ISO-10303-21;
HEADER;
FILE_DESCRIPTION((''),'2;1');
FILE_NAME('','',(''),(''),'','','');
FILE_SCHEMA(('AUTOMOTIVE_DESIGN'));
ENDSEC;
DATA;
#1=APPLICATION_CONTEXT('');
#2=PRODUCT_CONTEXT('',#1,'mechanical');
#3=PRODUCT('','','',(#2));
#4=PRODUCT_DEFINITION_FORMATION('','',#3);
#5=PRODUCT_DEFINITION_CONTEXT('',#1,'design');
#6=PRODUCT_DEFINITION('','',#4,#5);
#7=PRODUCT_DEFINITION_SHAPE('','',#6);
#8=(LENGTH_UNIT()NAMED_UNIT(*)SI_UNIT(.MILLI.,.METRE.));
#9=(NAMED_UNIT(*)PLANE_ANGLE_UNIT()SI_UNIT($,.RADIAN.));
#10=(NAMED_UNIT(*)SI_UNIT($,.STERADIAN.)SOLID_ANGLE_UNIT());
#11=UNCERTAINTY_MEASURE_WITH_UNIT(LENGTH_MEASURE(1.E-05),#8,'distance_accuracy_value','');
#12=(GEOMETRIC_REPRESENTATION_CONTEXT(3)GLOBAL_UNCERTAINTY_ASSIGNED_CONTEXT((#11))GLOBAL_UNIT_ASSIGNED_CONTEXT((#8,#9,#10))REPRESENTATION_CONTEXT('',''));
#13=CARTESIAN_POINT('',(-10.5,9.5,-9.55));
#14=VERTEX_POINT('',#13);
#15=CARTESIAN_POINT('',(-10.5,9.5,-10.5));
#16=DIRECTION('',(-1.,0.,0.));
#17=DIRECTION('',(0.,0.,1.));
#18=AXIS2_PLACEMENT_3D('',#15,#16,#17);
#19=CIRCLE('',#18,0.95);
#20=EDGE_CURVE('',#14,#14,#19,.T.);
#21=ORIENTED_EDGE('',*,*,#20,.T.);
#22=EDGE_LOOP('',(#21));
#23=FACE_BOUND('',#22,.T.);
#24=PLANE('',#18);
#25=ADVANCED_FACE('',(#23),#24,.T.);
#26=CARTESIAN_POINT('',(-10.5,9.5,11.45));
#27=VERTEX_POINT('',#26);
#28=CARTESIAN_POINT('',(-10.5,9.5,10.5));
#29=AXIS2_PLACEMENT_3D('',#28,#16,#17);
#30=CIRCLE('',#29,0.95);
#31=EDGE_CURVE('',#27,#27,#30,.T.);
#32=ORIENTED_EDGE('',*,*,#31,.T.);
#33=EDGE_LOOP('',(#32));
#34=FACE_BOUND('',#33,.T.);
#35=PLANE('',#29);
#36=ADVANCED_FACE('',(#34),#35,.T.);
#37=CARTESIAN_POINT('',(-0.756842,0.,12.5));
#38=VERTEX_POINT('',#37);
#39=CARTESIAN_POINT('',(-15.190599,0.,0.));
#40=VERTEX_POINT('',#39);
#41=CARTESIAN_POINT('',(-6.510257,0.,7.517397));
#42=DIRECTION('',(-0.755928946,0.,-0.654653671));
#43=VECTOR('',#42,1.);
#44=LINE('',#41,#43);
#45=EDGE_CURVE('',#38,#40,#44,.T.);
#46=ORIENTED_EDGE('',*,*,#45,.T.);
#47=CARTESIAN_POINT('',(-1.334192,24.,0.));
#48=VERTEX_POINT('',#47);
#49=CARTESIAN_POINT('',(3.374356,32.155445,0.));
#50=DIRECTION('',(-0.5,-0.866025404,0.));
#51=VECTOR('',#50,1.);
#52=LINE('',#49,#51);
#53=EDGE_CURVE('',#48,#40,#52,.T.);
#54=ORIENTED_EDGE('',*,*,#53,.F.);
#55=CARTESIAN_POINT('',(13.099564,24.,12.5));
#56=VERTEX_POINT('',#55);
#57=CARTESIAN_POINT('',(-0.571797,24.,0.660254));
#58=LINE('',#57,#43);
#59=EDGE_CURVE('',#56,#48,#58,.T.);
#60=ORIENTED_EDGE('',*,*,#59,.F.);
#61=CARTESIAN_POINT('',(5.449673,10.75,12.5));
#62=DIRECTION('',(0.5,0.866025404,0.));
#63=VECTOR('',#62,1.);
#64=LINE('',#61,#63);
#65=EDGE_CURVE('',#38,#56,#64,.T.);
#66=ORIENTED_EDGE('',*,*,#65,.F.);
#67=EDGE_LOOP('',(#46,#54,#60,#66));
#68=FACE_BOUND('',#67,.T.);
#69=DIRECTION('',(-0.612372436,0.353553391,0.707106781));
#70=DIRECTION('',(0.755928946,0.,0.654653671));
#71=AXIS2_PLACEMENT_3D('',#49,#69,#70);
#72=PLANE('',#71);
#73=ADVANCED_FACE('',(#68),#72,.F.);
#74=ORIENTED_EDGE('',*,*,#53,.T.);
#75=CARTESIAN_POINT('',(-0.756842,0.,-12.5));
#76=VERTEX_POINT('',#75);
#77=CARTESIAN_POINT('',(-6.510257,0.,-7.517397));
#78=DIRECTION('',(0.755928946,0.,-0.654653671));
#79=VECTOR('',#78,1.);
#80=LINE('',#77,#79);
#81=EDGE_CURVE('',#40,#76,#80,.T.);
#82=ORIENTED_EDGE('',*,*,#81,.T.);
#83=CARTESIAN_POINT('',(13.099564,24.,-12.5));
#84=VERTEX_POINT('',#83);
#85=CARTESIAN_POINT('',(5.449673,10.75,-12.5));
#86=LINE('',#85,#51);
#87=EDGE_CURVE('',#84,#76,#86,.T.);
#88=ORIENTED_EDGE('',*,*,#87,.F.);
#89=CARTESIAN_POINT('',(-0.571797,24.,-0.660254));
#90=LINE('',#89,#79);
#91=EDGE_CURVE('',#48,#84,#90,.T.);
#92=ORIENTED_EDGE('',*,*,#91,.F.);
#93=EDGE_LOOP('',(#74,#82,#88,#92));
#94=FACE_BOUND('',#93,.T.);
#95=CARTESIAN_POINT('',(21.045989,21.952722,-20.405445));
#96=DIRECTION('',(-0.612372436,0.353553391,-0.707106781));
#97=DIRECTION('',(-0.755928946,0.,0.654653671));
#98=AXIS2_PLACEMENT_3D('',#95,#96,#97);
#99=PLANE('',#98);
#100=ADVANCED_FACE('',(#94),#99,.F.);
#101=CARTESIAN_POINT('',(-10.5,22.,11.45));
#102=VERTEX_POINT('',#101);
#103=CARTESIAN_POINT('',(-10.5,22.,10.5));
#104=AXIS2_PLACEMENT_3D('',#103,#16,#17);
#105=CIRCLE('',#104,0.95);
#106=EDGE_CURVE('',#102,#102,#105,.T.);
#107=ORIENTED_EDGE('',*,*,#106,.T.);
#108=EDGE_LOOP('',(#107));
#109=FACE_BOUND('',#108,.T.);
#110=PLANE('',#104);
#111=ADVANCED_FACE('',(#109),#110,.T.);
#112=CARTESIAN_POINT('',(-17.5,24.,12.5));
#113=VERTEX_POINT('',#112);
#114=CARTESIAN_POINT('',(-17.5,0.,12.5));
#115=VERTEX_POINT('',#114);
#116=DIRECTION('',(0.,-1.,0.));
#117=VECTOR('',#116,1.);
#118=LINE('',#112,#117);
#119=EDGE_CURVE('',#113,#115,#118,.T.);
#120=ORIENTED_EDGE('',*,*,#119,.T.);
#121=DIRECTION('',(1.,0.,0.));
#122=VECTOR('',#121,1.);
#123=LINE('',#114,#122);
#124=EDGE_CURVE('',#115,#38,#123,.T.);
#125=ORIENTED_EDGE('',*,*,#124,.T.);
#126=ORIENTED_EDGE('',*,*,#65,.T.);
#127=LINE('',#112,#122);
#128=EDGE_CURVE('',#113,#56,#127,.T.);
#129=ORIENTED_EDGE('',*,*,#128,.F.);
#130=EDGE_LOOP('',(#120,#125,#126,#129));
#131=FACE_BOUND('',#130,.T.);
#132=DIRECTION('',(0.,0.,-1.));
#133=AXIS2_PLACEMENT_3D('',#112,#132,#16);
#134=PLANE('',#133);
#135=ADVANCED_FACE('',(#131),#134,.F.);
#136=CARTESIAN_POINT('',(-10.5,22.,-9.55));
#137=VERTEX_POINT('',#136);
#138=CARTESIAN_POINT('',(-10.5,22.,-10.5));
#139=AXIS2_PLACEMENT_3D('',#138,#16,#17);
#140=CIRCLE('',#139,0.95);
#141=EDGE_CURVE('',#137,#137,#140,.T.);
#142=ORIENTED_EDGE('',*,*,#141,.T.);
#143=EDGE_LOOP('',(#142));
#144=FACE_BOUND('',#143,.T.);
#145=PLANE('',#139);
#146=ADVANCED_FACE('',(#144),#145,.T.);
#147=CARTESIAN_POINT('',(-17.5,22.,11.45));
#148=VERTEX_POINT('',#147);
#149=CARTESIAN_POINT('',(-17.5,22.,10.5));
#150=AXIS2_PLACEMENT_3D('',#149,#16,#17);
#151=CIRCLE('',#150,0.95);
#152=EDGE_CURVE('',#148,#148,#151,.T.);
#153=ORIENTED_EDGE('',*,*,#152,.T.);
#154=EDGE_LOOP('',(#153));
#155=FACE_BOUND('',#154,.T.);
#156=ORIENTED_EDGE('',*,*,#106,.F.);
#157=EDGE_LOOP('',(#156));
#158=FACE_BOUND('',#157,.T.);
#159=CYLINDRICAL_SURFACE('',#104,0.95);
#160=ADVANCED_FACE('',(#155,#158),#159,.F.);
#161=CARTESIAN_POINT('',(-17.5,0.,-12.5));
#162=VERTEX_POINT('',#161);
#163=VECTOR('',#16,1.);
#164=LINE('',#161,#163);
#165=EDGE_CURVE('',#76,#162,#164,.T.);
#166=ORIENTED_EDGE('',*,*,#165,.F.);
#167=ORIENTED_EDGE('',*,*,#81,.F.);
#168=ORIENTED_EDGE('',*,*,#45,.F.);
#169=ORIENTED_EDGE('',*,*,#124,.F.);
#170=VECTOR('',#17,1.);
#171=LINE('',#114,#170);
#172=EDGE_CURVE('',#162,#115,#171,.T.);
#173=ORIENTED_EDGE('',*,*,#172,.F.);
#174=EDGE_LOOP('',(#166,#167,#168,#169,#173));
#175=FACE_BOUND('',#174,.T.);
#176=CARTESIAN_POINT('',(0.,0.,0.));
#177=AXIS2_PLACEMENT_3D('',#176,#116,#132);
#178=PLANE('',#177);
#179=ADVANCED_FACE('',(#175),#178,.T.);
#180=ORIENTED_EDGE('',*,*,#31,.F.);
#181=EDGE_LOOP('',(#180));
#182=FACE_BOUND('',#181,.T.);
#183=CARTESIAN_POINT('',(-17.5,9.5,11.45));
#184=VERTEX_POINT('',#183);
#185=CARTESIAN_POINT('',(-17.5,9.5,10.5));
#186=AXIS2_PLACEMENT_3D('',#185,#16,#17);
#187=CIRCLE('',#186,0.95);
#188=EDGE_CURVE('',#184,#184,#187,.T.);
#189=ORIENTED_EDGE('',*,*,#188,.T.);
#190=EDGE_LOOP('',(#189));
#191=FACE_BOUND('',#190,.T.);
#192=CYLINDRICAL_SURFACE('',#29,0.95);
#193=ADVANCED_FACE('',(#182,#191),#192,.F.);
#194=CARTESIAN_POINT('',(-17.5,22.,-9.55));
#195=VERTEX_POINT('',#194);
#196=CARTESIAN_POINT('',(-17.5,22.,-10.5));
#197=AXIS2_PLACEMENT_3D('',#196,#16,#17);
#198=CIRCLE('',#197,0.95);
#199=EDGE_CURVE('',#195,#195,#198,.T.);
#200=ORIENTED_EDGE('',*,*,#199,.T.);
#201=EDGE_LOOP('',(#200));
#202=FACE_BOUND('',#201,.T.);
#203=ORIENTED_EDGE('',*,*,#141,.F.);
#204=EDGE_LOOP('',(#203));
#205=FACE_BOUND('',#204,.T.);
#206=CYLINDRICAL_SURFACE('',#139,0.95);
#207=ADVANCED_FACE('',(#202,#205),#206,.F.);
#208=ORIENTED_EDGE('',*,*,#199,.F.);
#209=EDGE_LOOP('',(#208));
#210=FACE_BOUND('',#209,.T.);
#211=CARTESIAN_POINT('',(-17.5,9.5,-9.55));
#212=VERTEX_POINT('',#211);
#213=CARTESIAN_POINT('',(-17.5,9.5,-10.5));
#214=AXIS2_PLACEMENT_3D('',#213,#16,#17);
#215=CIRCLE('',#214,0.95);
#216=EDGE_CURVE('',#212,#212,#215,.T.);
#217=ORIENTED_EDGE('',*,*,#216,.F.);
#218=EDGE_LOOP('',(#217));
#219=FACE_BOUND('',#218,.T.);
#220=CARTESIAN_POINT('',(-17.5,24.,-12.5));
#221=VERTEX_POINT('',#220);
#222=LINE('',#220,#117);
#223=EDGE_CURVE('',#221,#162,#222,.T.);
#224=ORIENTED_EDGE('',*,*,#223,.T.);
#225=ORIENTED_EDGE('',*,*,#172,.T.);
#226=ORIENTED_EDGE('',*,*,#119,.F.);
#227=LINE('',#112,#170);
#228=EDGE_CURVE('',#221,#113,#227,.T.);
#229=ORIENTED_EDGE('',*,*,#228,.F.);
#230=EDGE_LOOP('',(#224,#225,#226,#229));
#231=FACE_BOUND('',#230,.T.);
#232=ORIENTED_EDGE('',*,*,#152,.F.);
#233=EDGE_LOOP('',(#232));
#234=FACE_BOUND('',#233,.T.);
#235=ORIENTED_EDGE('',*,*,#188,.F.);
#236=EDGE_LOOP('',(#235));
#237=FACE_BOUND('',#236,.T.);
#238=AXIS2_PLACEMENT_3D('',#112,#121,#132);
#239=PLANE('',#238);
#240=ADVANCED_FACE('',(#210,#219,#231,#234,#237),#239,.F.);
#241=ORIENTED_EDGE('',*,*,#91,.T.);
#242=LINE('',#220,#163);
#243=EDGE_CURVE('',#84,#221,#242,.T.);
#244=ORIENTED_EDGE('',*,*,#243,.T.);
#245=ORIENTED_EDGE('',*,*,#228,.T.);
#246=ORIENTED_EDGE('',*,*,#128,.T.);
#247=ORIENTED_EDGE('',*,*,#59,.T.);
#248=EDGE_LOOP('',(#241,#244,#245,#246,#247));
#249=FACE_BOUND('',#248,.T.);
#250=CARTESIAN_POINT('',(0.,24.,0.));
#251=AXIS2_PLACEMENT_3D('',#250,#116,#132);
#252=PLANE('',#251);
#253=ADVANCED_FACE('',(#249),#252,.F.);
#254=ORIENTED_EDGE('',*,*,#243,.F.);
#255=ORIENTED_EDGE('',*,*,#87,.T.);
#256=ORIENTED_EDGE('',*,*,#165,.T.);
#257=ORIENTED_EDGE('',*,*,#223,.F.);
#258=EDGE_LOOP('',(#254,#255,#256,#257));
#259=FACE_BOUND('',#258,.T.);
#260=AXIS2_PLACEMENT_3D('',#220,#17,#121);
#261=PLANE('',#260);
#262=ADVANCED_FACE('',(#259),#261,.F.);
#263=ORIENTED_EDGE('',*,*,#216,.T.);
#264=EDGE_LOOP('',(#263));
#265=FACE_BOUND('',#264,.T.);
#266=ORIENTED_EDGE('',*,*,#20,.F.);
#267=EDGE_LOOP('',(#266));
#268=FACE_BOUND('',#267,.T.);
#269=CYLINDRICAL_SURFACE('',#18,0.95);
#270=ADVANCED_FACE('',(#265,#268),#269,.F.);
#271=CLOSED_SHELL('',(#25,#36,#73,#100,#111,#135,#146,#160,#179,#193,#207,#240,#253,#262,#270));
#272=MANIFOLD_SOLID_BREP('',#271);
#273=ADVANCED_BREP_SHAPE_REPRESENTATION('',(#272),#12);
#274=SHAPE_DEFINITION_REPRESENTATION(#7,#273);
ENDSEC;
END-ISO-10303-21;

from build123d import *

# Parameters (mm, degrees)
SKETCH1_W           = 35
SKETCH1_H           = 25
BOSS_EXTRUDE1_DEPTH = 24
CUT_EXTRUDE1_DEPTH  = 41.397006939
SKETCH5_R           = 0.95
CUT_EXTRUDE2_DEPTH  = 7


with BuildPart() as part:
    # Sketch1 → Boss-Extrude1 (new body)
    with BuildSketch(Plane(origin=(0, 0, 0), x_dir=(1, 0, 0), z_dir=(0, 1, 0))):
        Rectangle(SKETCH1_W, SKETCH1_H)
    extrude(amount=BOSS_EXTRUDE1_DEPTH)

    # Sketch4 → Cut-Extrude1 (cut, through all)
    with BuildSketch(Plane(origin=(-4.375, -7.577722283, 0), x_dir=(-0.8660254037844417, 0.49999999999999495, 0), z_dir=(-0.49999999999999495, -0.8660254037844417, 0))):
        Polygon((-7.25, 20.405444566), (13.155444566, 0), (-7.25, -20.405444566), (-27.655444566, 0), align=None)
    extrude(amount=-CUT_EXTRUDE1_DEPTH, mode=Mode.SUBTRACT)

    # Sketch5 → Cut-Extrude2 (cut)
    with BuildSketch(Plane.ZY.offset(17.5)):
        with Locations((-10.5, 22)):
            Circle(SKETCH5_R)
        with Locations((10.5, 22)):
            Circle(SKETCH5_R)
        with Locations((10.5, 9.5)):
            Circle(SKETCH5_R)
        with Locations((-10.5, 9.5)):
            Circle(SKETCH5_R)
    extrude(amount=-CUT_EXTRUDE2_DEPTH, mode=Mode.SUBTRACT)


solid = part.part
